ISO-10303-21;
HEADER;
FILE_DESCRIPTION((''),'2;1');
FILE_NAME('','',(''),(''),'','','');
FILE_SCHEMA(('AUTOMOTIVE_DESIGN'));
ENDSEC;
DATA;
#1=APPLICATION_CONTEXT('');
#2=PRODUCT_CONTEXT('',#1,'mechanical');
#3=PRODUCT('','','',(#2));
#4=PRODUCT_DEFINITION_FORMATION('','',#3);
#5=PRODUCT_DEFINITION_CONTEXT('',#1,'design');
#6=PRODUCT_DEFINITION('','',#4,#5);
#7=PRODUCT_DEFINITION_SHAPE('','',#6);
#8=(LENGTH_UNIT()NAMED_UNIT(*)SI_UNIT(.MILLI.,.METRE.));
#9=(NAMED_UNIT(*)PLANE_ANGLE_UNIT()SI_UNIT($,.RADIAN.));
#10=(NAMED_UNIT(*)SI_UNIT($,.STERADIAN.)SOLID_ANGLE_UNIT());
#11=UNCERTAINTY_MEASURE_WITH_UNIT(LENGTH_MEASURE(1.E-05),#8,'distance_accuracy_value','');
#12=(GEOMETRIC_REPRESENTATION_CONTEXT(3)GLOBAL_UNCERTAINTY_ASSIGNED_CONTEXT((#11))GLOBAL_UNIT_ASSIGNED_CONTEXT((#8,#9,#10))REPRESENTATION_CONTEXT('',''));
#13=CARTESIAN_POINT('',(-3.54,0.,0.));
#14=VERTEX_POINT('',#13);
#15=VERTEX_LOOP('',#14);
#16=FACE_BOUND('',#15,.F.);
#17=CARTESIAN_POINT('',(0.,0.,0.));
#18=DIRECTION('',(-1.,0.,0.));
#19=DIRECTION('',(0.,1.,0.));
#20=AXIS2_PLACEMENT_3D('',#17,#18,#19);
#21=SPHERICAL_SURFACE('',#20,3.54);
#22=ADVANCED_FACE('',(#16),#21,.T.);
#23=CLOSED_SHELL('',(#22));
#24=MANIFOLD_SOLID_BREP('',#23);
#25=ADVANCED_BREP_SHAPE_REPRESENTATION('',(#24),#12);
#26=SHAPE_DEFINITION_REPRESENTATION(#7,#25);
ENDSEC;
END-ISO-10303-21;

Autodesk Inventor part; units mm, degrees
sketch "Sketch_1" plane through (0, 0, 0) normal (0, 0, 1) x (1, 0, 0)
  line L0 (3.54, 0) -> (-3.54, 0)
  arc A0 (3.54, 0) -> (-3.54, 0) centre (0, 0) ccw
  line L1 (3.54, 0) -> (-3.54, 0)
revolve "Revolution1" add sketch "Sketch_1" angle 360 about axis through (3.54, 0, 0) along (1, 0, 0)
ref_plane "dgbb_ball_XY" through (0, 0, 0) normal (1, 0, 0) x (0, 0, -1)
ref_plane "dgbb_ball_YZ" through (0, 0, 0) normal (0, 0, -1) x (0, 1, 0)
ref_plane "dgbb_ball_ZX" through (0, 0, 0) normal (0, 1, 0) x (1, 0, 0)
properties part number "60/28 Ball"
